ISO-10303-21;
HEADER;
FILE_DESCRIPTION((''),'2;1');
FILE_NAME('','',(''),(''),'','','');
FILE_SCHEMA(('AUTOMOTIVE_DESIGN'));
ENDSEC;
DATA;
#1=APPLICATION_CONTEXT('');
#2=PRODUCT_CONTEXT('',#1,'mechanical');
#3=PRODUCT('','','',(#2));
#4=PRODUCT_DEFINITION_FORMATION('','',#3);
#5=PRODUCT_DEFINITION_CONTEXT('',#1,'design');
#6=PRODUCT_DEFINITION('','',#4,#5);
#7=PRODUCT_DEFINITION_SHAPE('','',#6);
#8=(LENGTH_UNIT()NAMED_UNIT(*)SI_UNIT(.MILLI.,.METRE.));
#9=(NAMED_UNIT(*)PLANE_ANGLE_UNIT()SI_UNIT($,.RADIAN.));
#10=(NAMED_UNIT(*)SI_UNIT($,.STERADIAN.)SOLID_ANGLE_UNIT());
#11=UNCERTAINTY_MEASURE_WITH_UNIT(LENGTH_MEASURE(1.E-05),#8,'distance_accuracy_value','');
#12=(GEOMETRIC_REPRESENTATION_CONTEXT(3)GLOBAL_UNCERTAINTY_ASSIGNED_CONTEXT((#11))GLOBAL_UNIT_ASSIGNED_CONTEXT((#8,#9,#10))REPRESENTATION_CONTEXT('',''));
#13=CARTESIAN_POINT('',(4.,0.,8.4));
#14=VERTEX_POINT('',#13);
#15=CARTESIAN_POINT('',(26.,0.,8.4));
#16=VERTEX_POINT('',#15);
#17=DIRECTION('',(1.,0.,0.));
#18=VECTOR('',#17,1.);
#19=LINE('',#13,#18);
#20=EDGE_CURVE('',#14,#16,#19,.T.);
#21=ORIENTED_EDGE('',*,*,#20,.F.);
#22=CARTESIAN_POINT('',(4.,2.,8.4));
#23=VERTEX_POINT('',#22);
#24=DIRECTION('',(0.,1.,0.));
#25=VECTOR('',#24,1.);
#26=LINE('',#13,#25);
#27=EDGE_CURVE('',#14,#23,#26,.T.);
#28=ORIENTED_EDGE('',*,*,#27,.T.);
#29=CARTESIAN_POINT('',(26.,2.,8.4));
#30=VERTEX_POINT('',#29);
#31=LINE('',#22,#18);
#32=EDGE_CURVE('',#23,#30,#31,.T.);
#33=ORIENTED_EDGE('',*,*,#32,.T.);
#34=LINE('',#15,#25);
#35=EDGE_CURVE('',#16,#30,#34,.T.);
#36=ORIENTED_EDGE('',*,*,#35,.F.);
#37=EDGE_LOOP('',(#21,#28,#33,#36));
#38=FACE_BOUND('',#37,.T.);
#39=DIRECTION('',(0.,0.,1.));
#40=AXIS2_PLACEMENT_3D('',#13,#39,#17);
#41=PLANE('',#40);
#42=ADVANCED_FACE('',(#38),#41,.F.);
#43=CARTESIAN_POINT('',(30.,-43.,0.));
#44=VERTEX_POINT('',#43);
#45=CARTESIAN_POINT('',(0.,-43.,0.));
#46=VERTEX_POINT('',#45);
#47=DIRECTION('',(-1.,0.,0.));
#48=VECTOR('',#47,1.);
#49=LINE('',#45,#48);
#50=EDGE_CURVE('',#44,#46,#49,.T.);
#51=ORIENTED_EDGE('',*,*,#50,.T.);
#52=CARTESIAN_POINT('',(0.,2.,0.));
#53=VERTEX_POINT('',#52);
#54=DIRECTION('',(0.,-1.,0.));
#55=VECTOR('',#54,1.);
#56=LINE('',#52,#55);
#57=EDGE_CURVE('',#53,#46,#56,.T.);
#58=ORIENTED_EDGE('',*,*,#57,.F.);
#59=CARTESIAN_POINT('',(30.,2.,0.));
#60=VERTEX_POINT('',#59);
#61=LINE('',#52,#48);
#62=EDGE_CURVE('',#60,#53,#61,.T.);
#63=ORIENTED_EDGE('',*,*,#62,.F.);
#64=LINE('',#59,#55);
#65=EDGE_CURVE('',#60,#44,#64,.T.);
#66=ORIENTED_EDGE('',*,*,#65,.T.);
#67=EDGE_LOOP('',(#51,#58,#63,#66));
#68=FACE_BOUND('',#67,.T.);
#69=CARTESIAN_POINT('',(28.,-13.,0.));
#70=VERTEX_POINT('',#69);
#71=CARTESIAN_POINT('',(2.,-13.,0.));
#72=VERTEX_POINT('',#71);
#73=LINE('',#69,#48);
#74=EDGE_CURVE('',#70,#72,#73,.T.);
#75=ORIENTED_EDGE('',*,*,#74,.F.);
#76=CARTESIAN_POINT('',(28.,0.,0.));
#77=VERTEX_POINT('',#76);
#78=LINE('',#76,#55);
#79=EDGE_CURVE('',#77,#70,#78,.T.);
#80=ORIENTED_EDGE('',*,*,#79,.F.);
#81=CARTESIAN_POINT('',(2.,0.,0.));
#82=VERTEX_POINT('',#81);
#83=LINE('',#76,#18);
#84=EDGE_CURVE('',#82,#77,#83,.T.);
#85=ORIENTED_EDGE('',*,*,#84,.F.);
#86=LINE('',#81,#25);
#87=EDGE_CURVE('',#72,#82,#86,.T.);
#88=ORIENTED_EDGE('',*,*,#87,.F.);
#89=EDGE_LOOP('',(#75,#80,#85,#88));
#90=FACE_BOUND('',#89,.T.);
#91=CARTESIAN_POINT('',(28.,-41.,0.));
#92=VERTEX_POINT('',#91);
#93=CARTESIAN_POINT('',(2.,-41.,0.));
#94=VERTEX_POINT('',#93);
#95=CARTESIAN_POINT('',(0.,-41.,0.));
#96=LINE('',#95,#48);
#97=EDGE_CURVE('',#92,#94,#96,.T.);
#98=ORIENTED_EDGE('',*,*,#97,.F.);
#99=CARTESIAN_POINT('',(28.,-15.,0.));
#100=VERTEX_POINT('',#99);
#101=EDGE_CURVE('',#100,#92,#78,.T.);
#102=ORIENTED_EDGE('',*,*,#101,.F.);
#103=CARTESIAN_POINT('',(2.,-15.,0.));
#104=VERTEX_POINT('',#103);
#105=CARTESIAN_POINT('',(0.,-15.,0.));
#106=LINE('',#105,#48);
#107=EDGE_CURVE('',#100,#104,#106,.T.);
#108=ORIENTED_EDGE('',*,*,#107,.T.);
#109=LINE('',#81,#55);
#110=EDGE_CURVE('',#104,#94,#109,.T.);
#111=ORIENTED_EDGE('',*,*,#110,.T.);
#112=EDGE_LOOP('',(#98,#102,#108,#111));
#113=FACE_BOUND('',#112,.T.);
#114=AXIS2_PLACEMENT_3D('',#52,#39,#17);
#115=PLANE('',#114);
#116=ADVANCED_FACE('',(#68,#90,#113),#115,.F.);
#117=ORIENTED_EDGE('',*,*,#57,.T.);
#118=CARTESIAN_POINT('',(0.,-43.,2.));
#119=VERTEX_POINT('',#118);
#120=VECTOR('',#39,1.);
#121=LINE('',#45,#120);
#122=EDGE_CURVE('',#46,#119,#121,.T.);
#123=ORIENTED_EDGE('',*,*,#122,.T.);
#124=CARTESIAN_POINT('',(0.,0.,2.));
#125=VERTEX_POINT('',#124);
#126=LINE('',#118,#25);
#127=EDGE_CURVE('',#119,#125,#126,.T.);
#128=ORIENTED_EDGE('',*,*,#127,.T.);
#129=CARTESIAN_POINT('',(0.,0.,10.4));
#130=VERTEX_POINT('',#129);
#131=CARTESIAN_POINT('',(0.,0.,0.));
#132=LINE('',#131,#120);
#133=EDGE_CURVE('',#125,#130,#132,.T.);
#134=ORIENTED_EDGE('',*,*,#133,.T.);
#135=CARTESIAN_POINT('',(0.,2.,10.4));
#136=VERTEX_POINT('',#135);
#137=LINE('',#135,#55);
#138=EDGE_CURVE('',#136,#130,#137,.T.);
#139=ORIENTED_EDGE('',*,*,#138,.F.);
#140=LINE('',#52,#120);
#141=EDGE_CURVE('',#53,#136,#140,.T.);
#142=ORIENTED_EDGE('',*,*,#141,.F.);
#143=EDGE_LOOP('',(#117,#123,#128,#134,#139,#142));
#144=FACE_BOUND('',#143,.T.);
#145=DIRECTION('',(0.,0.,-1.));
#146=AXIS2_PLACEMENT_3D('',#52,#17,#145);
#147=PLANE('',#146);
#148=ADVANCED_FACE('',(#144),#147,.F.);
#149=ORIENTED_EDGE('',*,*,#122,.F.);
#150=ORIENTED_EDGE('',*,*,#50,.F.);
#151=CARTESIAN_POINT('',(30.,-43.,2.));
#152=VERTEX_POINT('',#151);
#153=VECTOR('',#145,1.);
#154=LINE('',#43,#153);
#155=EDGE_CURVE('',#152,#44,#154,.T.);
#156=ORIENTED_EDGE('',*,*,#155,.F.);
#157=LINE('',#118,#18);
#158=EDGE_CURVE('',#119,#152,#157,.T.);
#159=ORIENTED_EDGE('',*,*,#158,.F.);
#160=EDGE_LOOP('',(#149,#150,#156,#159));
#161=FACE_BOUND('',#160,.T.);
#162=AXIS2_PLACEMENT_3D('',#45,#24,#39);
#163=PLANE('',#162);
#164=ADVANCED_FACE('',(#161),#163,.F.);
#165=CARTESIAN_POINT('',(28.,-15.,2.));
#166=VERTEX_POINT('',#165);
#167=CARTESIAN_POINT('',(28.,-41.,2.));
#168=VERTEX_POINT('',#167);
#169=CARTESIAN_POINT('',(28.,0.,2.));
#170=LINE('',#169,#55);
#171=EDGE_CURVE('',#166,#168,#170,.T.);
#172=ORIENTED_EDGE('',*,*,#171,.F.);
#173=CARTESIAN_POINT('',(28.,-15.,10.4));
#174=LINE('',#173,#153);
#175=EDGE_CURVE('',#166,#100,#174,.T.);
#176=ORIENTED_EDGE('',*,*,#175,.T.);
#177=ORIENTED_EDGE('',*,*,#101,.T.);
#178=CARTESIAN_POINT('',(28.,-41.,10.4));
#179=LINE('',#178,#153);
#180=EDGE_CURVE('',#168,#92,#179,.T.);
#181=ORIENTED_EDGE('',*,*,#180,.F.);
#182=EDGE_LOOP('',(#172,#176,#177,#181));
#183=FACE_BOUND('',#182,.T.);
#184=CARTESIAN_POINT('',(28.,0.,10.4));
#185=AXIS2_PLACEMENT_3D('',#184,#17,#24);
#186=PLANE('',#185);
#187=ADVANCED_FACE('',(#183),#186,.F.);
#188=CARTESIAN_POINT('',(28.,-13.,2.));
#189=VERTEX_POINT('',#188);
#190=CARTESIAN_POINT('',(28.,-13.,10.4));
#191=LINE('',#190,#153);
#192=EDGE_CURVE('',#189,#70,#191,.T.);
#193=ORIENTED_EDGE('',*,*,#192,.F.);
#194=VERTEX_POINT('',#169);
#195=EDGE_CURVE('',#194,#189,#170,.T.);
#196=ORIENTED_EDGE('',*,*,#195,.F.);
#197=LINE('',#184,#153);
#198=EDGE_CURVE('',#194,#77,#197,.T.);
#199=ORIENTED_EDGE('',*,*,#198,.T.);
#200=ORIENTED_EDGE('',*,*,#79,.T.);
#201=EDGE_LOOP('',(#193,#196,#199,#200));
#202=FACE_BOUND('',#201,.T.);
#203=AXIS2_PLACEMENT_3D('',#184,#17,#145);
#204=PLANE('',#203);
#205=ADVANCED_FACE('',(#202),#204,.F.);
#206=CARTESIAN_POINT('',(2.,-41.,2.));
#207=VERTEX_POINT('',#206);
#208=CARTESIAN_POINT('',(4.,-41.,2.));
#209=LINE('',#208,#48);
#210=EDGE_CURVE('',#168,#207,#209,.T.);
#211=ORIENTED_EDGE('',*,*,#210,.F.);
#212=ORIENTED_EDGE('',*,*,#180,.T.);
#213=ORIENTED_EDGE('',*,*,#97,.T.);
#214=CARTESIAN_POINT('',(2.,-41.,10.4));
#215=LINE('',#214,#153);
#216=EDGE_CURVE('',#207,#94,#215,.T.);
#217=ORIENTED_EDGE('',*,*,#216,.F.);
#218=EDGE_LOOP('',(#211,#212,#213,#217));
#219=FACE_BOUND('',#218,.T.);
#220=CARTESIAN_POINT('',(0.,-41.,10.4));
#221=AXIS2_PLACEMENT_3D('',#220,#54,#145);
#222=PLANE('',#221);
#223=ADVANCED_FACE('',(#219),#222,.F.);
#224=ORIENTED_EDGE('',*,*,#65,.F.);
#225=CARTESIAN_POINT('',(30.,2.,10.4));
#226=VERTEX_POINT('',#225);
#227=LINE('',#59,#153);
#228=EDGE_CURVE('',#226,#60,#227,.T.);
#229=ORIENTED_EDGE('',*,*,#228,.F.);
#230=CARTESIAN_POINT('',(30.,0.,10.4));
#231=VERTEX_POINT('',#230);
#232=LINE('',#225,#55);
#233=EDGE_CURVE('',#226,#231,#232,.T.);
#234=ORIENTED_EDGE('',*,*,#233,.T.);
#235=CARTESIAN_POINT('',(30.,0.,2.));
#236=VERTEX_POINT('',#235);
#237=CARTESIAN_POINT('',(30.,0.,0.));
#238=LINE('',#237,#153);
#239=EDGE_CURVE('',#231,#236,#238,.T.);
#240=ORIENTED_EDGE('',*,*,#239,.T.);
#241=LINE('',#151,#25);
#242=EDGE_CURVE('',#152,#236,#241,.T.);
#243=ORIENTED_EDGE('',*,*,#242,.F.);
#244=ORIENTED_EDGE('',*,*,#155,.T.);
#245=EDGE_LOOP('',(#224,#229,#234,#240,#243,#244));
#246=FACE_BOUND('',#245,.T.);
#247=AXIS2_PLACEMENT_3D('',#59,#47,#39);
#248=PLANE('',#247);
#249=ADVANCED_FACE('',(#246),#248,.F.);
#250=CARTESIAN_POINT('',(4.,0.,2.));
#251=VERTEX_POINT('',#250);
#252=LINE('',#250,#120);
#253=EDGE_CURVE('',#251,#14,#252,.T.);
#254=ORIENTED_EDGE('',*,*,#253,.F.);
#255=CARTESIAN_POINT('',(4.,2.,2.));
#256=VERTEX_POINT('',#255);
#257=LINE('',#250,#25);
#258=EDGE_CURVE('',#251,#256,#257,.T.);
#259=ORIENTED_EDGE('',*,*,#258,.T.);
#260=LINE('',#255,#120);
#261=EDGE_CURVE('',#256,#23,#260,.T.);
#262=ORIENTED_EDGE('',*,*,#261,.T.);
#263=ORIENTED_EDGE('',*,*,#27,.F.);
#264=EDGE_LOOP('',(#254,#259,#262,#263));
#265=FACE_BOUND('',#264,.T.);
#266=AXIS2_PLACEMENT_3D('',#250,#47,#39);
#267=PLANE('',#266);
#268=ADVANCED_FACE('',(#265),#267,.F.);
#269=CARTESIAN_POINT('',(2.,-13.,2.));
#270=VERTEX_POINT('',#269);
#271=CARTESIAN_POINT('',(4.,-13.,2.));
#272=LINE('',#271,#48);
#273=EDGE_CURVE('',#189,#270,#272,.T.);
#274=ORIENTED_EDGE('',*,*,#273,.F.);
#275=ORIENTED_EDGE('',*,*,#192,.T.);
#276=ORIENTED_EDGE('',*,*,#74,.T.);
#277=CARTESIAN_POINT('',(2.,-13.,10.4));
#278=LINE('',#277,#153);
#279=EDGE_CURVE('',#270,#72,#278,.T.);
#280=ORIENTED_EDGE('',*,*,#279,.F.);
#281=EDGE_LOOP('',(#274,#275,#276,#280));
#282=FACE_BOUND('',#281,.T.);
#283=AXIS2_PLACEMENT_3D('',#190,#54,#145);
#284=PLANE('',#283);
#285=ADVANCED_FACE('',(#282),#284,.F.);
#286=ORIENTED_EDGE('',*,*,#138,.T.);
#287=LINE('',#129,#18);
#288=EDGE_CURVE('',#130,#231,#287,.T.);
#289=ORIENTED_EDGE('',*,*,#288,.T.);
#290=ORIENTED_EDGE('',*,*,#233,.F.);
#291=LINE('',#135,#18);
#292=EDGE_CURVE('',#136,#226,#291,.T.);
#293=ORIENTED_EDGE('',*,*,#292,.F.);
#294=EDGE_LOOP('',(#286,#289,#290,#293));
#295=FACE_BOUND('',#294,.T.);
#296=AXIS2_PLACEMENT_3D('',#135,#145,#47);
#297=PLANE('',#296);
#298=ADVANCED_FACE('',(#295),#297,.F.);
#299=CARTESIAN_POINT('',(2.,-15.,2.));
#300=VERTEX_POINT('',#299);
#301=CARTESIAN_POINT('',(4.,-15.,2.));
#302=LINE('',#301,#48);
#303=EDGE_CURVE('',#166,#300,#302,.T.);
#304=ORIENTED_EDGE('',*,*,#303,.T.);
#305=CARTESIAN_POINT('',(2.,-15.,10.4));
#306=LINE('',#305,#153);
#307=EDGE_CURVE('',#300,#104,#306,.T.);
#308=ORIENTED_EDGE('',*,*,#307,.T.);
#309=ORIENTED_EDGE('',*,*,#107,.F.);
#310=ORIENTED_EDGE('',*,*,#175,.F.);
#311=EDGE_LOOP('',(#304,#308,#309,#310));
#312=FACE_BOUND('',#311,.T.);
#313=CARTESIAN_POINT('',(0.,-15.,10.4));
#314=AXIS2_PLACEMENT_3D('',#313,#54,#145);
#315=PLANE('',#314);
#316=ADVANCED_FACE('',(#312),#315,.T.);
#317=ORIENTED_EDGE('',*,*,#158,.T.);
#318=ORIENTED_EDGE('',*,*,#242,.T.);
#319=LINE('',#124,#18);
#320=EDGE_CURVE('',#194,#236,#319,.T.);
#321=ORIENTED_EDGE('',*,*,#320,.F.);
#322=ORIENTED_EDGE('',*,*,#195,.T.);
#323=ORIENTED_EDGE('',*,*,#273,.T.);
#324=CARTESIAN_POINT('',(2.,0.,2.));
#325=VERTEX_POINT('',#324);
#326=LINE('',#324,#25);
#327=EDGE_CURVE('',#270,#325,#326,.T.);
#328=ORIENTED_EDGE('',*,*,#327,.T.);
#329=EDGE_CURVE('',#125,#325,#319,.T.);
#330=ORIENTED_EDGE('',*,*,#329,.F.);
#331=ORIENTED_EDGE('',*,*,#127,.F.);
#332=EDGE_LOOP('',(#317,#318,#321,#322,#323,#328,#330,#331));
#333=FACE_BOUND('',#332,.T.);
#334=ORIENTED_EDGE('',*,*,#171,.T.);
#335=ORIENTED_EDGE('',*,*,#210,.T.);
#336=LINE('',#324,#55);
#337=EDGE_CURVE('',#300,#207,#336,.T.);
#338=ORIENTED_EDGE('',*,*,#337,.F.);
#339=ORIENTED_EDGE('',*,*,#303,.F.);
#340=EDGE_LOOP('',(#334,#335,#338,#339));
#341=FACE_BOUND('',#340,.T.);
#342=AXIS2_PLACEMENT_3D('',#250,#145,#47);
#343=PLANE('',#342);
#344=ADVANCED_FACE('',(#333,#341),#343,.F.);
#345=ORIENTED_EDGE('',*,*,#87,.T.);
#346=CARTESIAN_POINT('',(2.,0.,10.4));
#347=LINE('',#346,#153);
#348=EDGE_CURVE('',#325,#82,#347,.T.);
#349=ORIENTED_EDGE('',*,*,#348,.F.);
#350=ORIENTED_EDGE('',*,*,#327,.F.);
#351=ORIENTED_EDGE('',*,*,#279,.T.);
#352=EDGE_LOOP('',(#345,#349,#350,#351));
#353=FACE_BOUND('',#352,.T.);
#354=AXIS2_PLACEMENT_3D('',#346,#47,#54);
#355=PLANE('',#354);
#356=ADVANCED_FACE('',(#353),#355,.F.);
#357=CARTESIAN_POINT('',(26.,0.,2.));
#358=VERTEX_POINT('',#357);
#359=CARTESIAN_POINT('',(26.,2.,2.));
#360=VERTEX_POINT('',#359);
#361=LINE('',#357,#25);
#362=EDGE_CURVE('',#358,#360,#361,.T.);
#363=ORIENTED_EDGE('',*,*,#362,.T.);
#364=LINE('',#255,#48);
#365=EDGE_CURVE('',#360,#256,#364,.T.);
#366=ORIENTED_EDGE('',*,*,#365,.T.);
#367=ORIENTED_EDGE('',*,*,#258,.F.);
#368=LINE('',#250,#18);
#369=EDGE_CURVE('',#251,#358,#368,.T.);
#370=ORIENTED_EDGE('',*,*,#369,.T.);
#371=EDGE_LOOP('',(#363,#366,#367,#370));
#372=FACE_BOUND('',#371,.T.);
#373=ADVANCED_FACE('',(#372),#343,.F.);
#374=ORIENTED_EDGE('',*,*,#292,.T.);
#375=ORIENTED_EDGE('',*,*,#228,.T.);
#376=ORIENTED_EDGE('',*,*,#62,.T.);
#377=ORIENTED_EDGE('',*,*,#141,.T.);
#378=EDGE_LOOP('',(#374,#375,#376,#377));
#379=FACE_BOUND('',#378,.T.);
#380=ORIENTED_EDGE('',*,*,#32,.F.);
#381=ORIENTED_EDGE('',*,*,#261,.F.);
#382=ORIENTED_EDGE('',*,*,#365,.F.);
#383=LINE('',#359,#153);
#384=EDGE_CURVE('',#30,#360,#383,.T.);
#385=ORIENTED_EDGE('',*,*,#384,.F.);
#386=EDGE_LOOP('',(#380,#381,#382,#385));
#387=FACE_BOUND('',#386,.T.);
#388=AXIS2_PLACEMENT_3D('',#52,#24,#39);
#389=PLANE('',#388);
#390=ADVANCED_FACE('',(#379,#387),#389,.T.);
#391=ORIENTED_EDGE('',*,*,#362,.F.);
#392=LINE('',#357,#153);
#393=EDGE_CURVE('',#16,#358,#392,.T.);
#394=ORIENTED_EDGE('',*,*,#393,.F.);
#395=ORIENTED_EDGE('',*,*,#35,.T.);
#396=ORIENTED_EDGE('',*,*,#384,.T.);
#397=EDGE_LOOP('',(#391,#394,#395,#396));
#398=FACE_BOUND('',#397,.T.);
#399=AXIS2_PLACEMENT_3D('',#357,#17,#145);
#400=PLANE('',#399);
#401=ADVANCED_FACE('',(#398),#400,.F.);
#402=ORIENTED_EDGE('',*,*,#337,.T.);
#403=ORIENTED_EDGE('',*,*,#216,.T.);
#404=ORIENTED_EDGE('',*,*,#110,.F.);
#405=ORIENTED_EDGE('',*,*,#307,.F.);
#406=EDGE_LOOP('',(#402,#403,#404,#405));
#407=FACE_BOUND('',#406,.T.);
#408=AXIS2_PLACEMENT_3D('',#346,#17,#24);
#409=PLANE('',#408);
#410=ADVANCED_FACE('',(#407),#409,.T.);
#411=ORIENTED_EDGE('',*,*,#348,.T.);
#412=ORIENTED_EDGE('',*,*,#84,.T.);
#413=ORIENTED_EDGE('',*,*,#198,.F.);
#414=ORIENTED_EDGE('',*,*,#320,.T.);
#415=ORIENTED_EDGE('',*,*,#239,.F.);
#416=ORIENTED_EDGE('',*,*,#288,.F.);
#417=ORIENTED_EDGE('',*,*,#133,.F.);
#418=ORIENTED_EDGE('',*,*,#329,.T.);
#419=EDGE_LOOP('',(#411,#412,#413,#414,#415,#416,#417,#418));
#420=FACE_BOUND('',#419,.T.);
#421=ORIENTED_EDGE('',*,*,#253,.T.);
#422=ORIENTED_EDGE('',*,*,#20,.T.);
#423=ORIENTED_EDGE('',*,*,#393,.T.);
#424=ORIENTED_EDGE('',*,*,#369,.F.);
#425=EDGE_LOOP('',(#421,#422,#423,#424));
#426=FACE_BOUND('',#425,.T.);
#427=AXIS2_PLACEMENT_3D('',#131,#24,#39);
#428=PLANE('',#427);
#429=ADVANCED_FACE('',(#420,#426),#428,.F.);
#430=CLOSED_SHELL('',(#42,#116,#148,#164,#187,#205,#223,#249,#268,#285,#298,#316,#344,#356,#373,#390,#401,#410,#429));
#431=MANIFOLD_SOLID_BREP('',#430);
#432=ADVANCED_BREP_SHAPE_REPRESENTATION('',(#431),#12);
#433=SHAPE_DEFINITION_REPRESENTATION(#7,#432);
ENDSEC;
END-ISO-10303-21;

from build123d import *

# Parameters (mm, degrees)
SKETCH1_W           = 30
SKETCH1_H           = 10.4
BOSS_EXTRUDE1_DEPTH = 2
SKETCH2_W           = 22
SKETCH2_H           = 6.4
CUT_EXTRUDE1_DEPTH  = 3
SKETCH4_W           = 30
SKETCH4_H           = 2
BOSS_EXTRUDE2_DEPTH = 45
SKETCH5_W           = 26
SKETCH5_H           = 26
CUT_EXTRUDE3_DEPTH  = 11.4
SKETCH6_W           = 26
SKETCH6_H           = 13
CUT_EXTRUDE4_DEPTH  = 11.4


with BuildPart() as part:
    # Sketch1 → Boss-Extrude1 (new body)
    with BuildSketch(Plane(origin=(0, 0, 0), x_dir=(1, 0, 0), z_dir=(0, 1, 0))):
        with Locations((15, -5.2)):
            Rectangle(SKETCH1_W, SKETCH1_H)
    extrude(amount=BOSS_EXTRUDE1_DEPTH)

    # Sketch2 → Cut-Extrude1 (cut, through all)
    with BuildSketch(Plane(origin=(0, 2, 0), x_dir=(1, 0, 0), z_dir=(0, 1, 0))):
        with Locations((15, -5.2)):
            Rectangle(SKETCH2_W, SKETCH2_H)
    extrude(amount=-CUT_EXTRUDE1_DEPTH, mode=Mode.SUBTRACT)

    # Sketch4 → Boss-Extrude2 (add)
    with BuildSketch(Plane(origin=(0, 2, 0), x_dir=(1, 0, 0), z_dir=(0, 1, 0))):
        with Locations((15, -1)):
            Rectangle(SKETCH4_W, SKETCH4_H)
    extrude(amount=-BOSS_EXTRUDE2_DEPTH)

    # Sketch5 → Cut-Extrude3 (cut, through all)
    with BuildSketch(Plane(origin=(0, 0, 0), x_dir=(-1, 0, 0), z_dir=(0, 0, -1))):
        with Locations((-15, -28)):
            Rectangle(SKETCH5_W, SKETCH5_H)
    extrude(amount=-CUT_EXTRUDE3_DEPTH, mode=Mode.SUBTRACT)

    # Sketch6 → Cut-Extrude4 (cut, through all)
    with BuildSketch(Plane(origin=(0, 0, 0), x_dir=(-1, 0, 0), z_dir=(0, 0, -1))):
        with Locations((-15, -6.5)):
            Rectangle(SKETCH6_W, SKETCH6_H)
    extrude(amount=-CUT_EXTRUDE4_DEPTH, mode=Mode.SUBTRACT)


solid = part.part
